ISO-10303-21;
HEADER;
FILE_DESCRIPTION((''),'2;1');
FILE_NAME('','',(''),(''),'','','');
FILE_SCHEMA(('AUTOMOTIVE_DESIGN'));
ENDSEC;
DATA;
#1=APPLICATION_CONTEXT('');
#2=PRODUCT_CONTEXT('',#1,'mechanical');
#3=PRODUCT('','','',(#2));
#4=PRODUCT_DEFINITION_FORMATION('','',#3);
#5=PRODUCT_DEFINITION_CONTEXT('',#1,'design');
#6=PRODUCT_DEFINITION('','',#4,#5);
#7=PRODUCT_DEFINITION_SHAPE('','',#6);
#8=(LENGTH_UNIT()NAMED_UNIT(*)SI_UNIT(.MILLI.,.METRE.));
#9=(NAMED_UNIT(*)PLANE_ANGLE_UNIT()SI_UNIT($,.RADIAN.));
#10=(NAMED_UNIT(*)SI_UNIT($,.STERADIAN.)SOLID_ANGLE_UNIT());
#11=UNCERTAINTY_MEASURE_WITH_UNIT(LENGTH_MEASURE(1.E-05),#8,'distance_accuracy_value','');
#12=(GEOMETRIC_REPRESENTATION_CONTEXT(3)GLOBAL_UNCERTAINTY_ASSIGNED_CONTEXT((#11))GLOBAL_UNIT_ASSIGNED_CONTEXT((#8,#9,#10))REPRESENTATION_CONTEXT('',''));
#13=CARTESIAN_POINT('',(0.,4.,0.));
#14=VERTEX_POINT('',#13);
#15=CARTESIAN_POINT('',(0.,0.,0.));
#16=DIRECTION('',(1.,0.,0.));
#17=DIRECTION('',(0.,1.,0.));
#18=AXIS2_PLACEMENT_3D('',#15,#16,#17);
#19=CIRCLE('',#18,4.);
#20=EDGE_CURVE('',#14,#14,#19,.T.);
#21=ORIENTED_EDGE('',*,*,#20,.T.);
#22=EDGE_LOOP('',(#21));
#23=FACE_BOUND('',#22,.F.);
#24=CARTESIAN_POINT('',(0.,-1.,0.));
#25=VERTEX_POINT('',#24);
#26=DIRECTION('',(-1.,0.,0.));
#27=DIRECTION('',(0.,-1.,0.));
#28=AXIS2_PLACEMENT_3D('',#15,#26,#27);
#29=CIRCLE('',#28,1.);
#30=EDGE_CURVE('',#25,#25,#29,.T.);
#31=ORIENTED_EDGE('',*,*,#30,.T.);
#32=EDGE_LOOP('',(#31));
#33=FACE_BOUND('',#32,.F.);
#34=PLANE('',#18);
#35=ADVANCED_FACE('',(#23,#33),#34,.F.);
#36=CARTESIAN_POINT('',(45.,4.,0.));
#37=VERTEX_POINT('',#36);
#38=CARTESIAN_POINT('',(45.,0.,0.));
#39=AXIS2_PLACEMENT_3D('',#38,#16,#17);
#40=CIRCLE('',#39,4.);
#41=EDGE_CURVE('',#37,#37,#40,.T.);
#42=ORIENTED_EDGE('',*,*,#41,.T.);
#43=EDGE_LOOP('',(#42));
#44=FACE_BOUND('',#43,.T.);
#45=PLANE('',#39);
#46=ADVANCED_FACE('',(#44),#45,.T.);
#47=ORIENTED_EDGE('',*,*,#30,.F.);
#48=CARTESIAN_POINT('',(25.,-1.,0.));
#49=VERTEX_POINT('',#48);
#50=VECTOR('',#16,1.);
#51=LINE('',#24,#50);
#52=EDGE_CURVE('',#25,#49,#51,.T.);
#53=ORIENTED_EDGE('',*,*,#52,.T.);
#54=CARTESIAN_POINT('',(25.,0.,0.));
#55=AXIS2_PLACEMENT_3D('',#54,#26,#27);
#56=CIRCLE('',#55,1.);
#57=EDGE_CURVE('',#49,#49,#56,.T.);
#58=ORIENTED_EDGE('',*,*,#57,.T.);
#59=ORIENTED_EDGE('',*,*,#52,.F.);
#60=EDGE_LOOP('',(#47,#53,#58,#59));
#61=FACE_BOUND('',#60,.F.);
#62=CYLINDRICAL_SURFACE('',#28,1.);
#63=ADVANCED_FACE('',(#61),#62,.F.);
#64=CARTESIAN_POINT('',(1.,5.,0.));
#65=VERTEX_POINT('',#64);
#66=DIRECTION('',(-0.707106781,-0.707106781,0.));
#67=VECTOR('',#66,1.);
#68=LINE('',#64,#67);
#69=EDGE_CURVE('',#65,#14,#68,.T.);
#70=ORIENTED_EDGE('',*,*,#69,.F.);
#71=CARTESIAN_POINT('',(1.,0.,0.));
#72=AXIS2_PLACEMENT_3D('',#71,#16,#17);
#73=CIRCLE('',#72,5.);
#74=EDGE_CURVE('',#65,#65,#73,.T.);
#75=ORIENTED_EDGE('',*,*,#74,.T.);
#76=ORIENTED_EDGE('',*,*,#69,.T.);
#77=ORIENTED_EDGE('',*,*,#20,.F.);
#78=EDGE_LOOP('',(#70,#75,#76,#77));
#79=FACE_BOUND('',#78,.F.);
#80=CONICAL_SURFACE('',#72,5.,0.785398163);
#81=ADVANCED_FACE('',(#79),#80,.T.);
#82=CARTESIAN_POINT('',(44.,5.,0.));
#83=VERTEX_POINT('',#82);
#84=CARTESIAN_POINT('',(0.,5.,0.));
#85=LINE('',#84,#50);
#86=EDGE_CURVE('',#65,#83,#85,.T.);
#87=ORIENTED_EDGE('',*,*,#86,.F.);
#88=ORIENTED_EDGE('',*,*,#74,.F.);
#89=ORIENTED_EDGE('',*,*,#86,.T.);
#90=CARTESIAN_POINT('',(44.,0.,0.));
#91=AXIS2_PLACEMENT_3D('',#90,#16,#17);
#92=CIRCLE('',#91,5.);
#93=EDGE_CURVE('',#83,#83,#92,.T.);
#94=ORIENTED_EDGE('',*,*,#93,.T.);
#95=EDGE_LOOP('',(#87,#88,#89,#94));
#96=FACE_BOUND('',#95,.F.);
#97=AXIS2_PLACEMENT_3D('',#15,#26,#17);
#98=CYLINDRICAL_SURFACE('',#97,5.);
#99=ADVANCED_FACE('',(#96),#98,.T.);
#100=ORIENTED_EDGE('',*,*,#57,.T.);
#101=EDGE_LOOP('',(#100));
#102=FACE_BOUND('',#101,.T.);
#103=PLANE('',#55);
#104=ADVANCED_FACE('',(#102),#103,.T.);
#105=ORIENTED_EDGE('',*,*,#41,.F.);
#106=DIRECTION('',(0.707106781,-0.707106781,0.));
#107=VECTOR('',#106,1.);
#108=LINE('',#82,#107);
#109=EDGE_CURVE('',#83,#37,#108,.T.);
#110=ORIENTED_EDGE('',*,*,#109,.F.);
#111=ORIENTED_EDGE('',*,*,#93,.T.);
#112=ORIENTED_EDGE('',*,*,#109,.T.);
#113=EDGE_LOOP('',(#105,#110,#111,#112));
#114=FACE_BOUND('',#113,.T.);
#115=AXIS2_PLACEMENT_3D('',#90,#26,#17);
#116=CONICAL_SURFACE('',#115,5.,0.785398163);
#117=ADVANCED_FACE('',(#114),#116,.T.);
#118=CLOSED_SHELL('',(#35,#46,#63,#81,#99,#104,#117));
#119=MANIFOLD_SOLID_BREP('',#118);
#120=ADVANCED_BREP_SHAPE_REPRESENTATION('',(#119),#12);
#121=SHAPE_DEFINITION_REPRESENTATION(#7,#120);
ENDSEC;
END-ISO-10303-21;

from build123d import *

# Parameters (mm, degrees)
F0_R     = 5
F1_DEPTH = 45
F2_R     = 1
F3_DEPTH = 25
F4_SIZE  = 1


with BuildPart() as f1:
    # F0 (on Right) → F1 (new body)
    with BuildSketch(Plane.YZ):
        Circle(F0_R)
    extrude(amount=F1_DEPTH)

    # F2 (on face) → F3 (cut)
    with BuildSketch(Plane(origin=(0, 0, 0), x_dir=(0, -1, 0), z_dir=(-1, 0, 0))):
        Circle(F2_R)
    extrude(amount=-F3_DEPTH, mode=Mode.SUBTRACT)

    # F4
    f4_edges = [f1.edges().sort_by_distance(p)[0] for p in [
        (0, -5, 0),
        (45, -5, 0),
    ]]
    chamfer(f4_edges, length=F4_SIZE)


solid = f1.part
